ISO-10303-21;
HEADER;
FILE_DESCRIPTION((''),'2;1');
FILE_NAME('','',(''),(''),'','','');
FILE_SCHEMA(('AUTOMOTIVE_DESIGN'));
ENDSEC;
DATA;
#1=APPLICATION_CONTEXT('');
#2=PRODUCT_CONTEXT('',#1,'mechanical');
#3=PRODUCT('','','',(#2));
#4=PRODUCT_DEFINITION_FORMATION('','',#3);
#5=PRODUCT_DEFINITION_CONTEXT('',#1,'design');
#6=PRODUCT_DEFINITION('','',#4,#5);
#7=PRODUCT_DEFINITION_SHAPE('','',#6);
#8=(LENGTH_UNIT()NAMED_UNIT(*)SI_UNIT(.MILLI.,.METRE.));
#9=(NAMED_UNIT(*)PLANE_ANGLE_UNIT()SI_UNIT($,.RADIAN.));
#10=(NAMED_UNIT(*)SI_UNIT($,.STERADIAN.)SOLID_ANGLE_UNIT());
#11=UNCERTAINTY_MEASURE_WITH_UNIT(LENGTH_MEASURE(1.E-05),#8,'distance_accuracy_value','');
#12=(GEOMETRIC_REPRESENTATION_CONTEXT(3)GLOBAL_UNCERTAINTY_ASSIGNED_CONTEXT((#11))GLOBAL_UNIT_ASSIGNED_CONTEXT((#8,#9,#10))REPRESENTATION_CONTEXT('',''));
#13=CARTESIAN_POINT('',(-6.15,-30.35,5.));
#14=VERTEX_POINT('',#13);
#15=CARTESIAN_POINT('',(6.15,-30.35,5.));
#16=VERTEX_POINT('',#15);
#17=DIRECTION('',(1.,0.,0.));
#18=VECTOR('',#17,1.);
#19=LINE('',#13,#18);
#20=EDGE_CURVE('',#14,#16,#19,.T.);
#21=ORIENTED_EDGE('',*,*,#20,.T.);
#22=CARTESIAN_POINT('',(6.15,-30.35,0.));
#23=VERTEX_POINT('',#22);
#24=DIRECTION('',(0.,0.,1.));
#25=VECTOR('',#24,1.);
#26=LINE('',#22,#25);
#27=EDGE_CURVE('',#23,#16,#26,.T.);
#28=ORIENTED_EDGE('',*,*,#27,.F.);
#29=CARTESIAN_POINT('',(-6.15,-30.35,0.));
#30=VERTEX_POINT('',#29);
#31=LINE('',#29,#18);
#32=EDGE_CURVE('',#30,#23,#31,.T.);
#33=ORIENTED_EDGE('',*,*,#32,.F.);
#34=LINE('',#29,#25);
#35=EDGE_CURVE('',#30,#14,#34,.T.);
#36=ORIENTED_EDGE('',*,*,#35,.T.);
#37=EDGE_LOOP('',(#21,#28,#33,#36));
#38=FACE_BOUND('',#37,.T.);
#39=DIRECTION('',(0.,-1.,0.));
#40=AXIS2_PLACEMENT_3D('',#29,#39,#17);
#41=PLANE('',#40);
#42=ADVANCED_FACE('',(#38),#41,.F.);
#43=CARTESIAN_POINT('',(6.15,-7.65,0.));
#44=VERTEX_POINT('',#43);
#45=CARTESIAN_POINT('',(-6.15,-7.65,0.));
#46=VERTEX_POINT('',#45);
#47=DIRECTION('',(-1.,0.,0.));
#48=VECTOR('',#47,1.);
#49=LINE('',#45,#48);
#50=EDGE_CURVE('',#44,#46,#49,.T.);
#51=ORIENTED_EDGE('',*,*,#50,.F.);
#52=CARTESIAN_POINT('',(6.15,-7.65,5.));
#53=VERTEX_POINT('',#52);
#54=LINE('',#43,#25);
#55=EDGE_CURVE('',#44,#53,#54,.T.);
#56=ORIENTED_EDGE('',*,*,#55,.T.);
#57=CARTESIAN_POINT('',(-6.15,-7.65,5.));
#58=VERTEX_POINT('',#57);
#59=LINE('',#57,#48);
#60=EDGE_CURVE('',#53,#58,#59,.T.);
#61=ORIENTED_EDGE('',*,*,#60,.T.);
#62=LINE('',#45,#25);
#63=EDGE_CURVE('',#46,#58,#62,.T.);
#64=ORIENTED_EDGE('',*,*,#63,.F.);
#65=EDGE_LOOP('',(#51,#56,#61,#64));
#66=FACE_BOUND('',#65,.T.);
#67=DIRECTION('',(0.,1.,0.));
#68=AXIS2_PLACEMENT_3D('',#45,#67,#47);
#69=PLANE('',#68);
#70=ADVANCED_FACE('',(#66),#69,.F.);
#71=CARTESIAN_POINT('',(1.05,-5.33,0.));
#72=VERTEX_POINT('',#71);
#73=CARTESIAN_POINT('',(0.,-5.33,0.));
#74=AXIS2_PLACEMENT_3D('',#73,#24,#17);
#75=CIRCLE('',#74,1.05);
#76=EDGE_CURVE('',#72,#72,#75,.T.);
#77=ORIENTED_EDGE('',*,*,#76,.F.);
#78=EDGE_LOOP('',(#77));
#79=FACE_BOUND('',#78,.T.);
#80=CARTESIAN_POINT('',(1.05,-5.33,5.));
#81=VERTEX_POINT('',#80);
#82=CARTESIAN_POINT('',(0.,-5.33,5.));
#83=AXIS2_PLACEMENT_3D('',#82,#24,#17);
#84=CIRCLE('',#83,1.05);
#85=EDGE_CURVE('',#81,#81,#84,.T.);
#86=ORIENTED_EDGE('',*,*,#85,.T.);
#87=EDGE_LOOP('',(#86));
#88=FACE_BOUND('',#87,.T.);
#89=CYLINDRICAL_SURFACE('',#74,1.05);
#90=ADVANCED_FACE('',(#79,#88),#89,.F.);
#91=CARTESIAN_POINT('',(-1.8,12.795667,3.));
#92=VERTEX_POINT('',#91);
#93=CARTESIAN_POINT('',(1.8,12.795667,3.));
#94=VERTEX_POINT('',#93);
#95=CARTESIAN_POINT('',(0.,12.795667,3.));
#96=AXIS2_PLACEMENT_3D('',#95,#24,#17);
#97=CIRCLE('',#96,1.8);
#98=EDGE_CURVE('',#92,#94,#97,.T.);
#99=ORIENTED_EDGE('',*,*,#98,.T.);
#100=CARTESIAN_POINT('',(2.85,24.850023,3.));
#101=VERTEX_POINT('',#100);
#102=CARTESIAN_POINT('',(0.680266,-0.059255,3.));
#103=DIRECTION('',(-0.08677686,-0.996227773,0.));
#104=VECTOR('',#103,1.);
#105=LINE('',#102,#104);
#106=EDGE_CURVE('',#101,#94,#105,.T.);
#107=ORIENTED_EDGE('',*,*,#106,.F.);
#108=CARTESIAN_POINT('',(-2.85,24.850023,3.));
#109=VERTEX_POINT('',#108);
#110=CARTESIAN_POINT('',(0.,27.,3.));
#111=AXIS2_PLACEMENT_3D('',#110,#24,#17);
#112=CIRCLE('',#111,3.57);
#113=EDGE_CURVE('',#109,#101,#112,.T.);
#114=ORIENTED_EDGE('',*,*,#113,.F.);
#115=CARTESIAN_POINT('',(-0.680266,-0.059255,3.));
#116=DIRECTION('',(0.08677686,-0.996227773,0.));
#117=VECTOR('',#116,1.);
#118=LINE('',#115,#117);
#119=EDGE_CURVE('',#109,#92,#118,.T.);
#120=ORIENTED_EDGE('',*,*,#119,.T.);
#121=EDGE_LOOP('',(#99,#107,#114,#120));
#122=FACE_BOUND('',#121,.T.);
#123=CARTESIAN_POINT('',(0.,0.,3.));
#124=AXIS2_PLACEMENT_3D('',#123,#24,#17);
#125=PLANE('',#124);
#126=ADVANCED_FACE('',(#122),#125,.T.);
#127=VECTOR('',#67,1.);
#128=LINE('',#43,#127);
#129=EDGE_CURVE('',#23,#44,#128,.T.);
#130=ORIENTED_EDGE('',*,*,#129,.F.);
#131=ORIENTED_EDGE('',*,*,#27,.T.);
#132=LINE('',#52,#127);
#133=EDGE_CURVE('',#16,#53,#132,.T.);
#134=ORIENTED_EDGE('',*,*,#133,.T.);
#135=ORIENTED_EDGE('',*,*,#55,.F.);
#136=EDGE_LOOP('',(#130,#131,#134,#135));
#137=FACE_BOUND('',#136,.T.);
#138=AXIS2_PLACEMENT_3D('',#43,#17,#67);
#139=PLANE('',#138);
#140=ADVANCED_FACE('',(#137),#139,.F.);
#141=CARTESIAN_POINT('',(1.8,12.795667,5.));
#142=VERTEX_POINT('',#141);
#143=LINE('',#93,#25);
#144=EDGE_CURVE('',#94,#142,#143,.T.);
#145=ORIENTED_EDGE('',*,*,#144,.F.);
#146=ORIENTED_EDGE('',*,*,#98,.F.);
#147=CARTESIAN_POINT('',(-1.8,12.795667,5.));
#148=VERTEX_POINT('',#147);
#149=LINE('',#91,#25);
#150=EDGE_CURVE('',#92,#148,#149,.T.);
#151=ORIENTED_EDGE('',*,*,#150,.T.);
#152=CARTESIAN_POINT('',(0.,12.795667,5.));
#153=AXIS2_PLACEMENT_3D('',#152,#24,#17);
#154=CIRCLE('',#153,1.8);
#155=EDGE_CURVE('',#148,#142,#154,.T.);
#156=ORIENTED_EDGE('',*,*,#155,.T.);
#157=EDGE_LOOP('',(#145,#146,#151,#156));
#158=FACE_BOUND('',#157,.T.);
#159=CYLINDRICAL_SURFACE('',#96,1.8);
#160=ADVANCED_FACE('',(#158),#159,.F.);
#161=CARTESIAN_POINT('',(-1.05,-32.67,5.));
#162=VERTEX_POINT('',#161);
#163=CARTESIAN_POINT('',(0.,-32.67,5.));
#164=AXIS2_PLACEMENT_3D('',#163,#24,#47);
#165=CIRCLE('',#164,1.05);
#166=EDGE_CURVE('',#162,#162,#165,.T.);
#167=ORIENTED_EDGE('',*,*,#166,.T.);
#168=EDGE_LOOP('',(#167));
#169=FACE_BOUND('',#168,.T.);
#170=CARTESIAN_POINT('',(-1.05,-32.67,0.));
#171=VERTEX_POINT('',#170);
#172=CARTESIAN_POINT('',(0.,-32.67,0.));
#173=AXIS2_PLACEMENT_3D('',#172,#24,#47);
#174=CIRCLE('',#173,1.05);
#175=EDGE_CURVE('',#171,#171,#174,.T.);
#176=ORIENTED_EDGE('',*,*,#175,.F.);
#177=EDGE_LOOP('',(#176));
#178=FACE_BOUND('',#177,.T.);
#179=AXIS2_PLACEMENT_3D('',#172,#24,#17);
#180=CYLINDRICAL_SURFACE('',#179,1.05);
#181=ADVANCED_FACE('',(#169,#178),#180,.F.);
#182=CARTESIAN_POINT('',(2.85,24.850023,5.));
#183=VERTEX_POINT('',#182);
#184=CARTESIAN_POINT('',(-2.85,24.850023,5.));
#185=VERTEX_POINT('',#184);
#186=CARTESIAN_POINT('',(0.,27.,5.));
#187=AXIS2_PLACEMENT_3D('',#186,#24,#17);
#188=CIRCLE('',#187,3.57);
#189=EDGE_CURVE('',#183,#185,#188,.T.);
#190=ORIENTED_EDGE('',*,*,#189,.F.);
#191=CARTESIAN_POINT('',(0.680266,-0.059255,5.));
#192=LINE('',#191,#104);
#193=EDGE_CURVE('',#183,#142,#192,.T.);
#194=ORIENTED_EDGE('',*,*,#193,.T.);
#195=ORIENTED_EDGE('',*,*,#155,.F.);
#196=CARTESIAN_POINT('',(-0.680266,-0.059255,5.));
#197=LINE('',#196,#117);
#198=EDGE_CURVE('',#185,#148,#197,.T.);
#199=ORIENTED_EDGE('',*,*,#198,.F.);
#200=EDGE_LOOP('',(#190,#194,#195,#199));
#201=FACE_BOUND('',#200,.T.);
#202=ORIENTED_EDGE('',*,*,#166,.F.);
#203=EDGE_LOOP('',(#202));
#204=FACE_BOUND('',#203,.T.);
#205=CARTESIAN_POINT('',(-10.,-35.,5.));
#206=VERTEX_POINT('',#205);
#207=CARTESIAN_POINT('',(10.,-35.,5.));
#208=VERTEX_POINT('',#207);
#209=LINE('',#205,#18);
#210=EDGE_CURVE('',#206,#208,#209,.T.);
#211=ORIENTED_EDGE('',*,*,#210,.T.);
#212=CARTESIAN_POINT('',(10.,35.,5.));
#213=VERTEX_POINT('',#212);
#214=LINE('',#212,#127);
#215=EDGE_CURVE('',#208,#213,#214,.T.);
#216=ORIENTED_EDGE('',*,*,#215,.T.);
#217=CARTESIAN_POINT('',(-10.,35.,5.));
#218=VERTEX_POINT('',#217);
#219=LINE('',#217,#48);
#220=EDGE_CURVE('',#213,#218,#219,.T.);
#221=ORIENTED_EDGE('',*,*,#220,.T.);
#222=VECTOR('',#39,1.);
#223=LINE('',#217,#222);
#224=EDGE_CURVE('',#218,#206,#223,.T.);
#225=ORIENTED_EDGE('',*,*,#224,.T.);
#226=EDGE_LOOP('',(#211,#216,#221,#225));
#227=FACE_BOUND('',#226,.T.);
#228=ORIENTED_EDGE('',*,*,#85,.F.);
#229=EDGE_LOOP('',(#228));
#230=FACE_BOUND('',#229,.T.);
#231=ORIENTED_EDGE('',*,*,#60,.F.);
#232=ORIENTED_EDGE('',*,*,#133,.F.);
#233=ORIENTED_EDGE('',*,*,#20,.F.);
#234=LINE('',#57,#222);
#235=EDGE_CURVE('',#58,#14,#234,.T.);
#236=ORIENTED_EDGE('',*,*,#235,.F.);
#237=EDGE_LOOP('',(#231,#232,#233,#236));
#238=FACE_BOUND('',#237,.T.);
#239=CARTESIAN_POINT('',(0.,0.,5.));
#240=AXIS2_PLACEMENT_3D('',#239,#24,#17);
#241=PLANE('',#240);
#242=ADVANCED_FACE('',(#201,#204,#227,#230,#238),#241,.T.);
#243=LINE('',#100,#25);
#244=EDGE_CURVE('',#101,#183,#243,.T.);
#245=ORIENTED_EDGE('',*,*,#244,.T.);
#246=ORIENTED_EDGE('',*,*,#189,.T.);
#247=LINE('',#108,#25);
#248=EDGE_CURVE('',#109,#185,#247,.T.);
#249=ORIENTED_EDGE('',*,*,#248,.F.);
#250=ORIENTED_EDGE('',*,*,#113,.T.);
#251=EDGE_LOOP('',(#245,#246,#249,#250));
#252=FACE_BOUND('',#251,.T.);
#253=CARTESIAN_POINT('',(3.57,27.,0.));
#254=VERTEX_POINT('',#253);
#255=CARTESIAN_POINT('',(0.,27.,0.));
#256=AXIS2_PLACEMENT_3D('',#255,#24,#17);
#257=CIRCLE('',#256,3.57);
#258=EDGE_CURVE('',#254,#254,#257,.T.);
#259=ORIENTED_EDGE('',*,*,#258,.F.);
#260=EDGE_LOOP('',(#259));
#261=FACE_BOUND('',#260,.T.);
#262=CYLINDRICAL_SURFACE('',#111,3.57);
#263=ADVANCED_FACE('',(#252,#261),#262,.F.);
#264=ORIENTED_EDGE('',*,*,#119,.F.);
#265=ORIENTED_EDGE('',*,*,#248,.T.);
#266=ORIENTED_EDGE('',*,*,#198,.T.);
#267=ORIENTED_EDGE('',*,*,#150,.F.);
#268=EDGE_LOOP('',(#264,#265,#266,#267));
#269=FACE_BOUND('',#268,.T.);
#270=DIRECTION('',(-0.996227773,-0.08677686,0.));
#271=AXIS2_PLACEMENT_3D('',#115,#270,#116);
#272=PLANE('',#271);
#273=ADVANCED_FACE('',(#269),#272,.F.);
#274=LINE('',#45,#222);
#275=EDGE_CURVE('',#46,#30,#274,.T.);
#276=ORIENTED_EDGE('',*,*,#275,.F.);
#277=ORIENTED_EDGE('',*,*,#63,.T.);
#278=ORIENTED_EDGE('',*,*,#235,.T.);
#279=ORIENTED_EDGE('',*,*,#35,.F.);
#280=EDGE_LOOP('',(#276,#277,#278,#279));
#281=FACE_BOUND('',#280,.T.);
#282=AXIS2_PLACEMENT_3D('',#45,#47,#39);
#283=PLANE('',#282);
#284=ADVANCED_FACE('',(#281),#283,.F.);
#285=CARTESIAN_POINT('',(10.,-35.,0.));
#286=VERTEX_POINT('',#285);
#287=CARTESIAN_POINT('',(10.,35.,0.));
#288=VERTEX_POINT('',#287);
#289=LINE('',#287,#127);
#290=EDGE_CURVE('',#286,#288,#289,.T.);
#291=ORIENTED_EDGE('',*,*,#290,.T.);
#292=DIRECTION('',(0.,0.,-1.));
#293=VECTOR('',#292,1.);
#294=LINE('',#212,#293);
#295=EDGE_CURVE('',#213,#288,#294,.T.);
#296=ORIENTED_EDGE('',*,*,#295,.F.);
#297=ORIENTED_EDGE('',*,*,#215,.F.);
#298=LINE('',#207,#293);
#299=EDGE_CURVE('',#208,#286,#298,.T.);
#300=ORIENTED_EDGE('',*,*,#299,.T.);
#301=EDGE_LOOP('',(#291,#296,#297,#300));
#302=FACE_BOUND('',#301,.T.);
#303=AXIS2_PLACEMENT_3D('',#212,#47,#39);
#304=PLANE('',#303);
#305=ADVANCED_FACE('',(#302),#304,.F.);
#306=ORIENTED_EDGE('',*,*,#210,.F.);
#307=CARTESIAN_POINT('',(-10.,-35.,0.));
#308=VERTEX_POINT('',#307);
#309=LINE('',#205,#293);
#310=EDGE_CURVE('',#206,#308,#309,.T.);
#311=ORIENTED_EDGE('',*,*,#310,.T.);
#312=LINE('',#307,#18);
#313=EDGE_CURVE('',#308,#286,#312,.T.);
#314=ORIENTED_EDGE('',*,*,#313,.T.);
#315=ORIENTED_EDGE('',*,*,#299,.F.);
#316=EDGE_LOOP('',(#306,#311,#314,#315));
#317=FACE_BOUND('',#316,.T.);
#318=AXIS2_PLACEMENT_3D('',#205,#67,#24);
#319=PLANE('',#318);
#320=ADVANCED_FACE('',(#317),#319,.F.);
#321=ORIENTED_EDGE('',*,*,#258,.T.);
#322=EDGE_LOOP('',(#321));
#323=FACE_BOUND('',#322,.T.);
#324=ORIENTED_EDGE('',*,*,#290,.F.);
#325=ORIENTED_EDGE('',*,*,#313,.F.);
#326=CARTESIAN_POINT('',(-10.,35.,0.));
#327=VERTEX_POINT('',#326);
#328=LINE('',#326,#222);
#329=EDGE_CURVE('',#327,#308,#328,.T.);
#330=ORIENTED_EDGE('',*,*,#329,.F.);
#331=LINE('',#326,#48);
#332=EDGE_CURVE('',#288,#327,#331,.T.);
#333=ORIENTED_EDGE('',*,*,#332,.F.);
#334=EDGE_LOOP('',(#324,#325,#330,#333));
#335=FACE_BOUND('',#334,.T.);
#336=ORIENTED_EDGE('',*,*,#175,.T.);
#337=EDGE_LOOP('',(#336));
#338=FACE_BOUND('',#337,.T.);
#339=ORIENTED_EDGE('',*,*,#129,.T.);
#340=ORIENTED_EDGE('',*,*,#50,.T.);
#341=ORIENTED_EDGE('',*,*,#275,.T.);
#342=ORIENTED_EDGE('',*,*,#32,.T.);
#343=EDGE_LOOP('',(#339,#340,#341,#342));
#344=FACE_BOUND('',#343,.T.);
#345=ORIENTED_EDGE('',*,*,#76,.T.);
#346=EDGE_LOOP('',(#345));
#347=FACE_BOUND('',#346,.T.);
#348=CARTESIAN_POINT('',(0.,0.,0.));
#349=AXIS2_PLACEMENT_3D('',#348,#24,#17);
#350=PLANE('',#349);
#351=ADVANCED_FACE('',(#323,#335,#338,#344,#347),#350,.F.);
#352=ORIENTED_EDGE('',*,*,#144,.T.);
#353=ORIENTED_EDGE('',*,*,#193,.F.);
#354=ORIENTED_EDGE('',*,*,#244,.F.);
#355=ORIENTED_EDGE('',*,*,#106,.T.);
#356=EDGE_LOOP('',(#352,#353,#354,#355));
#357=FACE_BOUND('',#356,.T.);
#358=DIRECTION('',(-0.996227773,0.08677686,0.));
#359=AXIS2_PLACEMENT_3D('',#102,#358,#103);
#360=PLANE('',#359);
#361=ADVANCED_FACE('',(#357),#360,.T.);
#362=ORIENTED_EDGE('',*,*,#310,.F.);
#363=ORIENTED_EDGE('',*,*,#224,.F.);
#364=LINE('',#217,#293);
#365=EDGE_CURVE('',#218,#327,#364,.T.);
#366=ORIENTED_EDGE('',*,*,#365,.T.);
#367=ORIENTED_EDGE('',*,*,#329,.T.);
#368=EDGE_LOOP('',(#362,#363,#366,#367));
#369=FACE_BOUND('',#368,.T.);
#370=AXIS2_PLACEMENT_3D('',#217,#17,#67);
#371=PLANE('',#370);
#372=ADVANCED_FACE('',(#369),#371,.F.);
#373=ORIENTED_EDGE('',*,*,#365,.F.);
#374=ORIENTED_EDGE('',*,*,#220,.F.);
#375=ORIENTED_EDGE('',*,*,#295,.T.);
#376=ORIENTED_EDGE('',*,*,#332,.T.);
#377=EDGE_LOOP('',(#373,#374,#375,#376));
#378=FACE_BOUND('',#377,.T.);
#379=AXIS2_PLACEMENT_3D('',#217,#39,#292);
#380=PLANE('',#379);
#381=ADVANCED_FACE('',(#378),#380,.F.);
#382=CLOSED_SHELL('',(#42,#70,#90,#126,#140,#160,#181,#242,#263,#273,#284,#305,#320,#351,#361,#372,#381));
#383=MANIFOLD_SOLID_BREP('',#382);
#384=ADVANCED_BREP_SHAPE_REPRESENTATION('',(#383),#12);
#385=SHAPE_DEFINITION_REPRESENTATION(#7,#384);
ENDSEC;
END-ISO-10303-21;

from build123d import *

# Parameters (mm, degrees)
SKETCH3_W           = 20
SKETCH3_H           = 70
BOSS_EXTRUDE3_DEPTH = 5
CUT_EXTRUDE2_DEPTH  = 2
SKETCH6_R           = 3.57
CUT_EXTRUDE3_DEPTH  = 3
SKETCH7_R           = 1.05
SKETCH7_W           = 12.3
SKETCH7_H           = 22.7
CUT_EXTRUDE4_DEPTH  = 5


with BuildPart() as part:
    # Sketch3 → Boss-Extrude3 (new body)
    with BuildSketch(Plane.XY):
        Rectangle(SKETCH3_W, SKETCH3_H)
    extrude(amount=BOSS_EXTRUDE3_DEPTH)

    # Sketch4 → Cut-Extrude2 (cut)
    with BuildSketch(Plane.XY.offset(5)):
        with BuildLine():
            Line((-2.85, 24.850023256), (-1.8, 12.795667197))
            Line((-1.8, 12.795667197), (1.8, 12.795667197))
            Line((1.8, 12.795667197), (2.85, 24.850023256))
            ThreePointArc((2.85, 24.850023256), (0, 23.43), (-2.85, 24.850023256))
        make_face()
        with BuildLine():
            Line((1.8, 12.795667197), (-1.8, 12.795667197))
            ThreePointArc((-1.8, 12.795667197), (0, 10.995667197), (1.8, 12.795667197))
        make_face()
        with BuildLine():
            ThreePointArc((3.57, 27), (-1.133666618, 30.385217866), (-2.85, 24.850023256))
            Line((-2.85, 24.850023256), (2.85, 24.850023256))
            ThreePointArc((2.85, 24.850023256), (3.385217866, 25.866333382), (3.57, 27))
        make_face()
        with BuildLine():
            Line((2.85, 24.850023256), (-2.85, 24.850023256))
            ThreePointArc((-2.85, 24.850023256), (0, 23.43), (2.85, 24.850023256))
        make_face()
    extrude(amount=-CUT_EXTRUDE2_DEPTH, mode=Mode.SUBTRACT)

    # Sketch6 → Cut-Extrude3 (cut)
    with BuildSketch(Plane.XY.offset(3)):
        with Locations((0, 27)):
            Circle(SKETCH6_R)
    extrude(amount=-CUT_EXTRUDE3_DEPTH, mode=Mode.SUBTRACT)

    # Sketch7 → Cut-Extrude4 (cut)
    with BuildSketch(Plane.XY.offset(5)):
        with Locations((0, -5.33)):
            Circle(SKETCH7_R)
        with Locations((0, -32.67)):
            Circle(SKETCH7_R)
        with Locations((0, -19)):
            Rectangle(SKETCH7_W, SKETCH7_H)
    extrude(amount=-CUT_EXTRUDE4_DEPTH, mode=Mode.SUBTRACT)


solid = part.part
